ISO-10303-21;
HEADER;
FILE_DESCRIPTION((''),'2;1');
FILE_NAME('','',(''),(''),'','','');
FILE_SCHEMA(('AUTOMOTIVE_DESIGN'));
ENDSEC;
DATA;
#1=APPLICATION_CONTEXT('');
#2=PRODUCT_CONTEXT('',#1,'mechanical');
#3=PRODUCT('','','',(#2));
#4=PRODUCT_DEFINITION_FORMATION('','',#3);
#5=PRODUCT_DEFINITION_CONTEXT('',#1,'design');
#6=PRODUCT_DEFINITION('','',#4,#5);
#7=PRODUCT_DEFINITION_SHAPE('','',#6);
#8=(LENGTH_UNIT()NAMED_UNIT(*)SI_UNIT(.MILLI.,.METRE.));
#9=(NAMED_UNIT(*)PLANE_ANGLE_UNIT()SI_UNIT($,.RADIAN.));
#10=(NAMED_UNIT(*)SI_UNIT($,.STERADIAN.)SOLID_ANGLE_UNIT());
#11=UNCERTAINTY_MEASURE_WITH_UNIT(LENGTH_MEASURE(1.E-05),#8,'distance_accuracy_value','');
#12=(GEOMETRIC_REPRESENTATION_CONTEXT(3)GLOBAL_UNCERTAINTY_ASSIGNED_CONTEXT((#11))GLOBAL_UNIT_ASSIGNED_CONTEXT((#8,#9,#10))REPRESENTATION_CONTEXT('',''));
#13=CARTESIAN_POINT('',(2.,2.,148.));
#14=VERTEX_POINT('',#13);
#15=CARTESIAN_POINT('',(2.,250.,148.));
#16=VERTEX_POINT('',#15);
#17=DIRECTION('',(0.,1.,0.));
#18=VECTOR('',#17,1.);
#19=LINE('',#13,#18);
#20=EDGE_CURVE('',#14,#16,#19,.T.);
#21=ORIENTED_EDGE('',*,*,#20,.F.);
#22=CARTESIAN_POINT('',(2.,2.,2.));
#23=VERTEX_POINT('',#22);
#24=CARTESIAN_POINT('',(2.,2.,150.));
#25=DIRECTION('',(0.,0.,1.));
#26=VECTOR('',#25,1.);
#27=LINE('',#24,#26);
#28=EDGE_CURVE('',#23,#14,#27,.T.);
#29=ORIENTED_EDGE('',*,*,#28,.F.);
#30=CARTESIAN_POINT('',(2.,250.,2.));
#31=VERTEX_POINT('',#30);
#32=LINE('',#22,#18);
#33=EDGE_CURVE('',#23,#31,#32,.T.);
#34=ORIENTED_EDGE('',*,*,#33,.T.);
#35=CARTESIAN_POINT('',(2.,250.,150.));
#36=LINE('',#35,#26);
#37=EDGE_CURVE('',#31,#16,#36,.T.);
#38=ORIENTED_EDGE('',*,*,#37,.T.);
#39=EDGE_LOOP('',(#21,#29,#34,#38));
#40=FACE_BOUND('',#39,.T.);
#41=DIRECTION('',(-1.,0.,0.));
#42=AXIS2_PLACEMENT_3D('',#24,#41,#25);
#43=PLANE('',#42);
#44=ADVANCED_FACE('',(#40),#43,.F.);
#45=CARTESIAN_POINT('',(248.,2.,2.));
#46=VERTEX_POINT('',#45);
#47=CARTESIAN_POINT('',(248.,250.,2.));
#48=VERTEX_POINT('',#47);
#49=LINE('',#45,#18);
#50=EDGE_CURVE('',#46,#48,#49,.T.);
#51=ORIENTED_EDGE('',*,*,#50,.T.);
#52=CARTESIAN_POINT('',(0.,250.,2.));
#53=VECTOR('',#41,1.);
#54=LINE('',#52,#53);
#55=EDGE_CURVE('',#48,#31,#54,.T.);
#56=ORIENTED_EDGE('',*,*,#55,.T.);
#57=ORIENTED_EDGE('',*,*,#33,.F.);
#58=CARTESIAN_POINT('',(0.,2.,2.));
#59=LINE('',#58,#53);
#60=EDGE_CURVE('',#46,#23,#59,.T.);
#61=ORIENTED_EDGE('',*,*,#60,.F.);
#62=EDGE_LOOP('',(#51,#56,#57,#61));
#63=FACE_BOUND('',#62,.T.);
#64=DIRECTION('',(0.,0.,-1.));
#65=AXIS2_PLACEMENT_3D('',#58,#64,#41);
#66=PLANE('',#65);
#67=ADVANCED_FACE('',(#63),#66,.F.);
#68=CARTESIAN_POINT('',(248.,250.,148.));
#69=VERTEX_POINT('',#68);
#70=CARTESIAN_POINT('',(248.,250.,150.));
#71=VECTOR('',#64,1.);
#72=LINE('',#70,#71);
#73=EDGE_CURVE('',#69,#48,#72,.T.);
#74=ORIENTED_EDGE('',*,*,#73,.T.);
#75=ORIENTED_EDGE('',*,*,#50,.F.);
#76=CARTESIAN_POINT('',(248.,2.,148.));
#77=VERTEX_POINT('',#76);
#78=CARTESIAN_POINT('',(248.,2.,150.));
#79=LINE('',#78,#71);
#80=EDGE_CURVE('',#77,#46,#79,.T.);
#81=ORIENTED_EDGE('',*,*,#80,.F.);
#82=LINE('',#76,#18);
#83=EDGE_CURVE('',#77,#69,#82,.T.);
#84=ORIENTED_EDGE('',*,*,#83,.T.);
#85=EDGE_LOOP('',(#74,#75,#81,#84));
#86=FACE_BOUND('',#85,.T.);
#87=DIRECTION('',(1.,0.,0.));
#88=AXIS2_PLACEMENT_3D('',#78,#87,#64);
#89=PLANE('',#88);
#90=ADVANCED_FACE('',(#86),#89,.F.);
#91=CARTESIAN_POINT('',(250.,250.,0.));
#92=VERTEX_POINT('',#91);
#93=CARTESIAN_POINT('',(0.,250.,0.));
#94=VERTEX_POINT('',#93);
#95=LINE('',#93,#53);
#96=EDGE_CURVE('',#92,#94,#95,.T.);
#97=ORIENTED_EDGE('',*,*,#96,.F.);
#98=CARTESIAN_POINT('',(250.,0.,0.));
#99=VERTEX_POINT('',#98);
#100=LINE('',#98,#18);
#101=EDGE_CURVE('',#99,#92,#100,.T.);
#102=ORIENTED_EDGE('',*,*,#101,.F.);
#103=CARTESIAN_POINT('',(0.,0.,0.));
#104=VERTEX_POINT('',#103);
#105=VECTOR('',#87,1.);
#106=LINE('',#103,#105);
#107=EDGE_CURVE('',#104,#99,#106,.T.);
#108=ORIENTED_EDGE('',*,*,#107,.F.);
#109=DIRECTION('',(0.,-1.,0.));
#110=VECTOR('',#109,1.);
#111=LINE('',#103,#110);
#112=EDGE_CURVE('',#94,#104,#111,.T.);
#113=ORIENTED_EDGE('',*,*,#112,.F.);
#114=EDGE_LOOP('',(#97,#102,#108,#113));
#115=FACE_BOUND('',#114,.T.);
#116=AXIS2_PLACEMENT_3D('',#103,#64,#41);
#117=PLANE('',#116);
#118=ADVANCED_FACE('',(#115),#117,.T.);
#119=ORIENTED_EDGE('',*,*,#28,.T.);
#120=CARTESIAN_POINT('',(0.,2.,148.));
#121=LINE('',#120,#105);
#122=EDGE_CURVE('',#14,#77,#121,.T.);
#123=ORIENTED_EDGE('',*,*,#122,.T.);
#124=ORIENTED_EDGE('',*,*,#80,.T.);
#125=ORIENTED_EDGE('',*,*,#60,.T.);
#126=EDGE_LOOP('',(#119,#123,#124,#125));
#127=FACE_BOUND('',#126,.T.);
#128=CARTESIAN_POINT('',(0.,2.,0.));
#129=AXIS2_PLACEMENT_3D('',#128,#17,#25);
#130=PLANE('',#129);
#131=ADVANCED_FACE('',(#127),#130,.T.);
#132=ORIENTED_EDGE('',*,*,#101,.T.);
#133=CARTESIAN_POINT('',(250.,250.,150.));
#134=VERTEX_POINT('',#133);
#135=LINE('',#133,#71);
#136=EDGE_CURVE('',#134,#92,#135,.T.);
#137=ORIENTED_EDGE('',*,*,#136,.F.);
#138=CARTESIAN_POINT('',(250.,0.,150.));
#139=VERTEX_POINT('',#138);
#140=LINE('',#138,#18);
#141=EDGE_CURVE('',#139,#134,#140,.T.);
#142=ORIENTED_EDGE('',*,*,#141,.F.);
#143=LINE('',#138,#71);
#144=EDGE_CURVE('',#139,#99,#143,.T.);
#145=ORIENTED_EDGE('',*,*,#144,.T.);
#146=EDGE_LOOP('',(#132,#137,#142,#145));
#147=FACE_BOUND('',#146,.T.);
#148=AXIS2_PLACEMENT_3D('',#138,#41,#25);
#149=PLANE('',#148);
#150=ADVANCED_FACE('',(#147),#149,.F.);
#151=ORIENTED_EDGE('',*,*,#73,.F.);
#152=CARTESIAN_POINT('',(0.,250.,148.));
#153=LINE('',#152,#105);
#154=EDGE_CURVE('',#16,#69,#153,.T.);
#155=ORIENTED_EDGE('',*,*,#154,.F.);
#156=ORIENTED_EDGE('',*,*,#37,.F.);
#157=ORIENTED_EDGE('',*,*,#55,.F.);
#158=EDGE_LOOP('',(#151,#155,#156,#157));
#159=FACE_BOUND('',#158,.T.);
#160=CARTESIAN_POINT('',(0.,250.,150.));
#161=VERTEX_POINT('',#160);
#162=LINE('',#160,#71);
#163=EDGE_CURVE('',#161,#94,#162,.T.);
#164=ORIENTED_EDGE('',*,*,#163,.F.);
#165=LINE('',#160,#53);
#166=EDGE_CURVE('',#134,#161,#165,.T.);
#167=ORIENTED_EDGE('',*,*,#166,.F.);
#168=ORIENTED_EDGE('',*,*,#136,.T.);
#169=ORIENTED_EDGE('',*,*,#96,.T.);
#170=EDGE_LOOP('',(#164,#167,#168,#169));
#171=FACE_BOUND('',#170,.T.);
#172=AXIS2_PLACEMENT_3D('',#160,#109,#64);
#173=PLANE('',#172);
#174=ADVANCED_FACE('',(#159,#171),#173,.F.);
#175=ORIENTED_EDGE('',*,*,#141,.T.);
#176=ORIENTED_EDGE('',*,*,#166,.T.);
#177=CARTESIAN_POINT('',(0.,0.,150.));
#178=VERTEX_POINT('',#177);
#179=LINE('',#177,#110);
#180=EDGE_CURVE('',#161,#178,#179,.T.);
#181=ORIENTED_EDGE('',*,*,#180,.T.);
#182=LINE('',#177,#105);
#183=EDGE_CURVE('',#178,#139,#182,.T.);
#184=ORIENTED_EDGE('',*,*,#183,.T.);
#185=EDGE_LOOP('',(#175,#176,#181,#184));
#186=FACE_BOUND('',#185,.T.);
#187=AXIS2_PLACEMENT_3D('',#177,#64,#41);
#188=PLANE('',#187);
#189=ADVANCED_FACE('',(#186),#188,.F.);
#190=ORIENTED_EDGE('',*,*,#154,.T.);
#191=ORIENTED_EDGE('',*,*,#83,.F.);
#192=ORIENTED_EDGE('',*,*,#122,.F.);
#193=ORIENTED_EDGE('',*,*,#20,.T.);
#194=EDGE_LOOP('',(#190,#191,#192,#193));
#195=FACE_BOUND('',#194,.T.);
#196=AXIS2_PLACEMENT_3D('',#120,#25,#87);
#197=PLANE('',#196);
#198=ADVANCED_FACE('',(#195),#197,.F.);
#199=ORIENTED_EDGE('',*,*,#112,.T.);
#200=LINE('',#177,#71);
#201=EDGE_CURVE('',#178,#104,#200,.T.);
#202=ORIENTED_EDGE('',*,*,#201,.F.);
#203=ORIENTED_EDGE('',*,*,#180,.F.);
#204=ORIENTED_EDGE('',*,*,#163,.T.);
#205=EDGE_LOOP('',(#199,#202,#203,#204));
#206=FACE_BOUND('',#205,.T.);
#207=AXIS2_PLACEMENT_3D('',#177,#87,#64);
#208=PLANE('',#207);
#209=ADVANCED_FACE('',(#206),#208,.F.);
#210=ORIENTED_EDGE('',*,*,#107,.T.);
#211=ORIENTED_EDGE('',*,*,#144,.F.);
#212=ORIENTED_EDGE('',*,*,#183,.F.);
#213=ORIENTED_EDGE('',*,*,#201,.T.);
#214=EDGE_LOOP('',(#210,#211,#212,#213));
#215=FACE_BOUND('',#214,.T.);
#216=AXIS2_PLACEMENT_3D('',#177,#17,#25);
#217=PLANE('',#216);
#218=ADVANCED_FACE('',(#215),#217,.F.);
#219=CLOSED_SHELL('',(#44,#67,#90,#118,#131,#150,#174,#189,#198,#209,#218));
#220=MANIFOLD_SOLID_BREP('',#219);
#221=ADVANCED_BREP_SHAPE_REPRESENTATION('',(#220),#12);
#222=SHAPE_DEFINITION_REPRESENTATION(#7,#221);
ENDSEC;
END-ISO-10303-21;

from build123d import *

# Parameters (mm, degrees)
SKETCH_1_W          = 250
SKETCH_1_H          = 250
EXTRUDE_2_DEPTH     = 150
CUT_EXTRUDE_START   = 250
SKETCH_3_W          = 246
SKETCH_3_H          = 146
CUT_EXTRUDE_1_DEPTH = 248


with BuildPart() as part:
    # 草图1 → 凸台-拉伸2 (new body)
    with BuildSketch(Plane.XY):
        with Locations((125, 125)):
            Rectangle(SKETCH_1_W, SKETCH_1_H)
    extrude(amount=EXTRUDE_2_DEPTH)

    # 草图3 → 切除-拉伸1 (cut)
    with BuildSketch(Plane(origin=(0, 0, 0), x_dir=(1, 0, 0), z_dir=(0, 1, 0)).offset(CUT_EXTRUDE_START)):
        with Locations((125, -75)):
            Rectangle(SKETCH_3_W, SKETCH_3_H)
    extrude(amount=-CUT_EXTRUDE_1_DEPTH, mode=Mode.SUBTRACT)


solid = part.part
